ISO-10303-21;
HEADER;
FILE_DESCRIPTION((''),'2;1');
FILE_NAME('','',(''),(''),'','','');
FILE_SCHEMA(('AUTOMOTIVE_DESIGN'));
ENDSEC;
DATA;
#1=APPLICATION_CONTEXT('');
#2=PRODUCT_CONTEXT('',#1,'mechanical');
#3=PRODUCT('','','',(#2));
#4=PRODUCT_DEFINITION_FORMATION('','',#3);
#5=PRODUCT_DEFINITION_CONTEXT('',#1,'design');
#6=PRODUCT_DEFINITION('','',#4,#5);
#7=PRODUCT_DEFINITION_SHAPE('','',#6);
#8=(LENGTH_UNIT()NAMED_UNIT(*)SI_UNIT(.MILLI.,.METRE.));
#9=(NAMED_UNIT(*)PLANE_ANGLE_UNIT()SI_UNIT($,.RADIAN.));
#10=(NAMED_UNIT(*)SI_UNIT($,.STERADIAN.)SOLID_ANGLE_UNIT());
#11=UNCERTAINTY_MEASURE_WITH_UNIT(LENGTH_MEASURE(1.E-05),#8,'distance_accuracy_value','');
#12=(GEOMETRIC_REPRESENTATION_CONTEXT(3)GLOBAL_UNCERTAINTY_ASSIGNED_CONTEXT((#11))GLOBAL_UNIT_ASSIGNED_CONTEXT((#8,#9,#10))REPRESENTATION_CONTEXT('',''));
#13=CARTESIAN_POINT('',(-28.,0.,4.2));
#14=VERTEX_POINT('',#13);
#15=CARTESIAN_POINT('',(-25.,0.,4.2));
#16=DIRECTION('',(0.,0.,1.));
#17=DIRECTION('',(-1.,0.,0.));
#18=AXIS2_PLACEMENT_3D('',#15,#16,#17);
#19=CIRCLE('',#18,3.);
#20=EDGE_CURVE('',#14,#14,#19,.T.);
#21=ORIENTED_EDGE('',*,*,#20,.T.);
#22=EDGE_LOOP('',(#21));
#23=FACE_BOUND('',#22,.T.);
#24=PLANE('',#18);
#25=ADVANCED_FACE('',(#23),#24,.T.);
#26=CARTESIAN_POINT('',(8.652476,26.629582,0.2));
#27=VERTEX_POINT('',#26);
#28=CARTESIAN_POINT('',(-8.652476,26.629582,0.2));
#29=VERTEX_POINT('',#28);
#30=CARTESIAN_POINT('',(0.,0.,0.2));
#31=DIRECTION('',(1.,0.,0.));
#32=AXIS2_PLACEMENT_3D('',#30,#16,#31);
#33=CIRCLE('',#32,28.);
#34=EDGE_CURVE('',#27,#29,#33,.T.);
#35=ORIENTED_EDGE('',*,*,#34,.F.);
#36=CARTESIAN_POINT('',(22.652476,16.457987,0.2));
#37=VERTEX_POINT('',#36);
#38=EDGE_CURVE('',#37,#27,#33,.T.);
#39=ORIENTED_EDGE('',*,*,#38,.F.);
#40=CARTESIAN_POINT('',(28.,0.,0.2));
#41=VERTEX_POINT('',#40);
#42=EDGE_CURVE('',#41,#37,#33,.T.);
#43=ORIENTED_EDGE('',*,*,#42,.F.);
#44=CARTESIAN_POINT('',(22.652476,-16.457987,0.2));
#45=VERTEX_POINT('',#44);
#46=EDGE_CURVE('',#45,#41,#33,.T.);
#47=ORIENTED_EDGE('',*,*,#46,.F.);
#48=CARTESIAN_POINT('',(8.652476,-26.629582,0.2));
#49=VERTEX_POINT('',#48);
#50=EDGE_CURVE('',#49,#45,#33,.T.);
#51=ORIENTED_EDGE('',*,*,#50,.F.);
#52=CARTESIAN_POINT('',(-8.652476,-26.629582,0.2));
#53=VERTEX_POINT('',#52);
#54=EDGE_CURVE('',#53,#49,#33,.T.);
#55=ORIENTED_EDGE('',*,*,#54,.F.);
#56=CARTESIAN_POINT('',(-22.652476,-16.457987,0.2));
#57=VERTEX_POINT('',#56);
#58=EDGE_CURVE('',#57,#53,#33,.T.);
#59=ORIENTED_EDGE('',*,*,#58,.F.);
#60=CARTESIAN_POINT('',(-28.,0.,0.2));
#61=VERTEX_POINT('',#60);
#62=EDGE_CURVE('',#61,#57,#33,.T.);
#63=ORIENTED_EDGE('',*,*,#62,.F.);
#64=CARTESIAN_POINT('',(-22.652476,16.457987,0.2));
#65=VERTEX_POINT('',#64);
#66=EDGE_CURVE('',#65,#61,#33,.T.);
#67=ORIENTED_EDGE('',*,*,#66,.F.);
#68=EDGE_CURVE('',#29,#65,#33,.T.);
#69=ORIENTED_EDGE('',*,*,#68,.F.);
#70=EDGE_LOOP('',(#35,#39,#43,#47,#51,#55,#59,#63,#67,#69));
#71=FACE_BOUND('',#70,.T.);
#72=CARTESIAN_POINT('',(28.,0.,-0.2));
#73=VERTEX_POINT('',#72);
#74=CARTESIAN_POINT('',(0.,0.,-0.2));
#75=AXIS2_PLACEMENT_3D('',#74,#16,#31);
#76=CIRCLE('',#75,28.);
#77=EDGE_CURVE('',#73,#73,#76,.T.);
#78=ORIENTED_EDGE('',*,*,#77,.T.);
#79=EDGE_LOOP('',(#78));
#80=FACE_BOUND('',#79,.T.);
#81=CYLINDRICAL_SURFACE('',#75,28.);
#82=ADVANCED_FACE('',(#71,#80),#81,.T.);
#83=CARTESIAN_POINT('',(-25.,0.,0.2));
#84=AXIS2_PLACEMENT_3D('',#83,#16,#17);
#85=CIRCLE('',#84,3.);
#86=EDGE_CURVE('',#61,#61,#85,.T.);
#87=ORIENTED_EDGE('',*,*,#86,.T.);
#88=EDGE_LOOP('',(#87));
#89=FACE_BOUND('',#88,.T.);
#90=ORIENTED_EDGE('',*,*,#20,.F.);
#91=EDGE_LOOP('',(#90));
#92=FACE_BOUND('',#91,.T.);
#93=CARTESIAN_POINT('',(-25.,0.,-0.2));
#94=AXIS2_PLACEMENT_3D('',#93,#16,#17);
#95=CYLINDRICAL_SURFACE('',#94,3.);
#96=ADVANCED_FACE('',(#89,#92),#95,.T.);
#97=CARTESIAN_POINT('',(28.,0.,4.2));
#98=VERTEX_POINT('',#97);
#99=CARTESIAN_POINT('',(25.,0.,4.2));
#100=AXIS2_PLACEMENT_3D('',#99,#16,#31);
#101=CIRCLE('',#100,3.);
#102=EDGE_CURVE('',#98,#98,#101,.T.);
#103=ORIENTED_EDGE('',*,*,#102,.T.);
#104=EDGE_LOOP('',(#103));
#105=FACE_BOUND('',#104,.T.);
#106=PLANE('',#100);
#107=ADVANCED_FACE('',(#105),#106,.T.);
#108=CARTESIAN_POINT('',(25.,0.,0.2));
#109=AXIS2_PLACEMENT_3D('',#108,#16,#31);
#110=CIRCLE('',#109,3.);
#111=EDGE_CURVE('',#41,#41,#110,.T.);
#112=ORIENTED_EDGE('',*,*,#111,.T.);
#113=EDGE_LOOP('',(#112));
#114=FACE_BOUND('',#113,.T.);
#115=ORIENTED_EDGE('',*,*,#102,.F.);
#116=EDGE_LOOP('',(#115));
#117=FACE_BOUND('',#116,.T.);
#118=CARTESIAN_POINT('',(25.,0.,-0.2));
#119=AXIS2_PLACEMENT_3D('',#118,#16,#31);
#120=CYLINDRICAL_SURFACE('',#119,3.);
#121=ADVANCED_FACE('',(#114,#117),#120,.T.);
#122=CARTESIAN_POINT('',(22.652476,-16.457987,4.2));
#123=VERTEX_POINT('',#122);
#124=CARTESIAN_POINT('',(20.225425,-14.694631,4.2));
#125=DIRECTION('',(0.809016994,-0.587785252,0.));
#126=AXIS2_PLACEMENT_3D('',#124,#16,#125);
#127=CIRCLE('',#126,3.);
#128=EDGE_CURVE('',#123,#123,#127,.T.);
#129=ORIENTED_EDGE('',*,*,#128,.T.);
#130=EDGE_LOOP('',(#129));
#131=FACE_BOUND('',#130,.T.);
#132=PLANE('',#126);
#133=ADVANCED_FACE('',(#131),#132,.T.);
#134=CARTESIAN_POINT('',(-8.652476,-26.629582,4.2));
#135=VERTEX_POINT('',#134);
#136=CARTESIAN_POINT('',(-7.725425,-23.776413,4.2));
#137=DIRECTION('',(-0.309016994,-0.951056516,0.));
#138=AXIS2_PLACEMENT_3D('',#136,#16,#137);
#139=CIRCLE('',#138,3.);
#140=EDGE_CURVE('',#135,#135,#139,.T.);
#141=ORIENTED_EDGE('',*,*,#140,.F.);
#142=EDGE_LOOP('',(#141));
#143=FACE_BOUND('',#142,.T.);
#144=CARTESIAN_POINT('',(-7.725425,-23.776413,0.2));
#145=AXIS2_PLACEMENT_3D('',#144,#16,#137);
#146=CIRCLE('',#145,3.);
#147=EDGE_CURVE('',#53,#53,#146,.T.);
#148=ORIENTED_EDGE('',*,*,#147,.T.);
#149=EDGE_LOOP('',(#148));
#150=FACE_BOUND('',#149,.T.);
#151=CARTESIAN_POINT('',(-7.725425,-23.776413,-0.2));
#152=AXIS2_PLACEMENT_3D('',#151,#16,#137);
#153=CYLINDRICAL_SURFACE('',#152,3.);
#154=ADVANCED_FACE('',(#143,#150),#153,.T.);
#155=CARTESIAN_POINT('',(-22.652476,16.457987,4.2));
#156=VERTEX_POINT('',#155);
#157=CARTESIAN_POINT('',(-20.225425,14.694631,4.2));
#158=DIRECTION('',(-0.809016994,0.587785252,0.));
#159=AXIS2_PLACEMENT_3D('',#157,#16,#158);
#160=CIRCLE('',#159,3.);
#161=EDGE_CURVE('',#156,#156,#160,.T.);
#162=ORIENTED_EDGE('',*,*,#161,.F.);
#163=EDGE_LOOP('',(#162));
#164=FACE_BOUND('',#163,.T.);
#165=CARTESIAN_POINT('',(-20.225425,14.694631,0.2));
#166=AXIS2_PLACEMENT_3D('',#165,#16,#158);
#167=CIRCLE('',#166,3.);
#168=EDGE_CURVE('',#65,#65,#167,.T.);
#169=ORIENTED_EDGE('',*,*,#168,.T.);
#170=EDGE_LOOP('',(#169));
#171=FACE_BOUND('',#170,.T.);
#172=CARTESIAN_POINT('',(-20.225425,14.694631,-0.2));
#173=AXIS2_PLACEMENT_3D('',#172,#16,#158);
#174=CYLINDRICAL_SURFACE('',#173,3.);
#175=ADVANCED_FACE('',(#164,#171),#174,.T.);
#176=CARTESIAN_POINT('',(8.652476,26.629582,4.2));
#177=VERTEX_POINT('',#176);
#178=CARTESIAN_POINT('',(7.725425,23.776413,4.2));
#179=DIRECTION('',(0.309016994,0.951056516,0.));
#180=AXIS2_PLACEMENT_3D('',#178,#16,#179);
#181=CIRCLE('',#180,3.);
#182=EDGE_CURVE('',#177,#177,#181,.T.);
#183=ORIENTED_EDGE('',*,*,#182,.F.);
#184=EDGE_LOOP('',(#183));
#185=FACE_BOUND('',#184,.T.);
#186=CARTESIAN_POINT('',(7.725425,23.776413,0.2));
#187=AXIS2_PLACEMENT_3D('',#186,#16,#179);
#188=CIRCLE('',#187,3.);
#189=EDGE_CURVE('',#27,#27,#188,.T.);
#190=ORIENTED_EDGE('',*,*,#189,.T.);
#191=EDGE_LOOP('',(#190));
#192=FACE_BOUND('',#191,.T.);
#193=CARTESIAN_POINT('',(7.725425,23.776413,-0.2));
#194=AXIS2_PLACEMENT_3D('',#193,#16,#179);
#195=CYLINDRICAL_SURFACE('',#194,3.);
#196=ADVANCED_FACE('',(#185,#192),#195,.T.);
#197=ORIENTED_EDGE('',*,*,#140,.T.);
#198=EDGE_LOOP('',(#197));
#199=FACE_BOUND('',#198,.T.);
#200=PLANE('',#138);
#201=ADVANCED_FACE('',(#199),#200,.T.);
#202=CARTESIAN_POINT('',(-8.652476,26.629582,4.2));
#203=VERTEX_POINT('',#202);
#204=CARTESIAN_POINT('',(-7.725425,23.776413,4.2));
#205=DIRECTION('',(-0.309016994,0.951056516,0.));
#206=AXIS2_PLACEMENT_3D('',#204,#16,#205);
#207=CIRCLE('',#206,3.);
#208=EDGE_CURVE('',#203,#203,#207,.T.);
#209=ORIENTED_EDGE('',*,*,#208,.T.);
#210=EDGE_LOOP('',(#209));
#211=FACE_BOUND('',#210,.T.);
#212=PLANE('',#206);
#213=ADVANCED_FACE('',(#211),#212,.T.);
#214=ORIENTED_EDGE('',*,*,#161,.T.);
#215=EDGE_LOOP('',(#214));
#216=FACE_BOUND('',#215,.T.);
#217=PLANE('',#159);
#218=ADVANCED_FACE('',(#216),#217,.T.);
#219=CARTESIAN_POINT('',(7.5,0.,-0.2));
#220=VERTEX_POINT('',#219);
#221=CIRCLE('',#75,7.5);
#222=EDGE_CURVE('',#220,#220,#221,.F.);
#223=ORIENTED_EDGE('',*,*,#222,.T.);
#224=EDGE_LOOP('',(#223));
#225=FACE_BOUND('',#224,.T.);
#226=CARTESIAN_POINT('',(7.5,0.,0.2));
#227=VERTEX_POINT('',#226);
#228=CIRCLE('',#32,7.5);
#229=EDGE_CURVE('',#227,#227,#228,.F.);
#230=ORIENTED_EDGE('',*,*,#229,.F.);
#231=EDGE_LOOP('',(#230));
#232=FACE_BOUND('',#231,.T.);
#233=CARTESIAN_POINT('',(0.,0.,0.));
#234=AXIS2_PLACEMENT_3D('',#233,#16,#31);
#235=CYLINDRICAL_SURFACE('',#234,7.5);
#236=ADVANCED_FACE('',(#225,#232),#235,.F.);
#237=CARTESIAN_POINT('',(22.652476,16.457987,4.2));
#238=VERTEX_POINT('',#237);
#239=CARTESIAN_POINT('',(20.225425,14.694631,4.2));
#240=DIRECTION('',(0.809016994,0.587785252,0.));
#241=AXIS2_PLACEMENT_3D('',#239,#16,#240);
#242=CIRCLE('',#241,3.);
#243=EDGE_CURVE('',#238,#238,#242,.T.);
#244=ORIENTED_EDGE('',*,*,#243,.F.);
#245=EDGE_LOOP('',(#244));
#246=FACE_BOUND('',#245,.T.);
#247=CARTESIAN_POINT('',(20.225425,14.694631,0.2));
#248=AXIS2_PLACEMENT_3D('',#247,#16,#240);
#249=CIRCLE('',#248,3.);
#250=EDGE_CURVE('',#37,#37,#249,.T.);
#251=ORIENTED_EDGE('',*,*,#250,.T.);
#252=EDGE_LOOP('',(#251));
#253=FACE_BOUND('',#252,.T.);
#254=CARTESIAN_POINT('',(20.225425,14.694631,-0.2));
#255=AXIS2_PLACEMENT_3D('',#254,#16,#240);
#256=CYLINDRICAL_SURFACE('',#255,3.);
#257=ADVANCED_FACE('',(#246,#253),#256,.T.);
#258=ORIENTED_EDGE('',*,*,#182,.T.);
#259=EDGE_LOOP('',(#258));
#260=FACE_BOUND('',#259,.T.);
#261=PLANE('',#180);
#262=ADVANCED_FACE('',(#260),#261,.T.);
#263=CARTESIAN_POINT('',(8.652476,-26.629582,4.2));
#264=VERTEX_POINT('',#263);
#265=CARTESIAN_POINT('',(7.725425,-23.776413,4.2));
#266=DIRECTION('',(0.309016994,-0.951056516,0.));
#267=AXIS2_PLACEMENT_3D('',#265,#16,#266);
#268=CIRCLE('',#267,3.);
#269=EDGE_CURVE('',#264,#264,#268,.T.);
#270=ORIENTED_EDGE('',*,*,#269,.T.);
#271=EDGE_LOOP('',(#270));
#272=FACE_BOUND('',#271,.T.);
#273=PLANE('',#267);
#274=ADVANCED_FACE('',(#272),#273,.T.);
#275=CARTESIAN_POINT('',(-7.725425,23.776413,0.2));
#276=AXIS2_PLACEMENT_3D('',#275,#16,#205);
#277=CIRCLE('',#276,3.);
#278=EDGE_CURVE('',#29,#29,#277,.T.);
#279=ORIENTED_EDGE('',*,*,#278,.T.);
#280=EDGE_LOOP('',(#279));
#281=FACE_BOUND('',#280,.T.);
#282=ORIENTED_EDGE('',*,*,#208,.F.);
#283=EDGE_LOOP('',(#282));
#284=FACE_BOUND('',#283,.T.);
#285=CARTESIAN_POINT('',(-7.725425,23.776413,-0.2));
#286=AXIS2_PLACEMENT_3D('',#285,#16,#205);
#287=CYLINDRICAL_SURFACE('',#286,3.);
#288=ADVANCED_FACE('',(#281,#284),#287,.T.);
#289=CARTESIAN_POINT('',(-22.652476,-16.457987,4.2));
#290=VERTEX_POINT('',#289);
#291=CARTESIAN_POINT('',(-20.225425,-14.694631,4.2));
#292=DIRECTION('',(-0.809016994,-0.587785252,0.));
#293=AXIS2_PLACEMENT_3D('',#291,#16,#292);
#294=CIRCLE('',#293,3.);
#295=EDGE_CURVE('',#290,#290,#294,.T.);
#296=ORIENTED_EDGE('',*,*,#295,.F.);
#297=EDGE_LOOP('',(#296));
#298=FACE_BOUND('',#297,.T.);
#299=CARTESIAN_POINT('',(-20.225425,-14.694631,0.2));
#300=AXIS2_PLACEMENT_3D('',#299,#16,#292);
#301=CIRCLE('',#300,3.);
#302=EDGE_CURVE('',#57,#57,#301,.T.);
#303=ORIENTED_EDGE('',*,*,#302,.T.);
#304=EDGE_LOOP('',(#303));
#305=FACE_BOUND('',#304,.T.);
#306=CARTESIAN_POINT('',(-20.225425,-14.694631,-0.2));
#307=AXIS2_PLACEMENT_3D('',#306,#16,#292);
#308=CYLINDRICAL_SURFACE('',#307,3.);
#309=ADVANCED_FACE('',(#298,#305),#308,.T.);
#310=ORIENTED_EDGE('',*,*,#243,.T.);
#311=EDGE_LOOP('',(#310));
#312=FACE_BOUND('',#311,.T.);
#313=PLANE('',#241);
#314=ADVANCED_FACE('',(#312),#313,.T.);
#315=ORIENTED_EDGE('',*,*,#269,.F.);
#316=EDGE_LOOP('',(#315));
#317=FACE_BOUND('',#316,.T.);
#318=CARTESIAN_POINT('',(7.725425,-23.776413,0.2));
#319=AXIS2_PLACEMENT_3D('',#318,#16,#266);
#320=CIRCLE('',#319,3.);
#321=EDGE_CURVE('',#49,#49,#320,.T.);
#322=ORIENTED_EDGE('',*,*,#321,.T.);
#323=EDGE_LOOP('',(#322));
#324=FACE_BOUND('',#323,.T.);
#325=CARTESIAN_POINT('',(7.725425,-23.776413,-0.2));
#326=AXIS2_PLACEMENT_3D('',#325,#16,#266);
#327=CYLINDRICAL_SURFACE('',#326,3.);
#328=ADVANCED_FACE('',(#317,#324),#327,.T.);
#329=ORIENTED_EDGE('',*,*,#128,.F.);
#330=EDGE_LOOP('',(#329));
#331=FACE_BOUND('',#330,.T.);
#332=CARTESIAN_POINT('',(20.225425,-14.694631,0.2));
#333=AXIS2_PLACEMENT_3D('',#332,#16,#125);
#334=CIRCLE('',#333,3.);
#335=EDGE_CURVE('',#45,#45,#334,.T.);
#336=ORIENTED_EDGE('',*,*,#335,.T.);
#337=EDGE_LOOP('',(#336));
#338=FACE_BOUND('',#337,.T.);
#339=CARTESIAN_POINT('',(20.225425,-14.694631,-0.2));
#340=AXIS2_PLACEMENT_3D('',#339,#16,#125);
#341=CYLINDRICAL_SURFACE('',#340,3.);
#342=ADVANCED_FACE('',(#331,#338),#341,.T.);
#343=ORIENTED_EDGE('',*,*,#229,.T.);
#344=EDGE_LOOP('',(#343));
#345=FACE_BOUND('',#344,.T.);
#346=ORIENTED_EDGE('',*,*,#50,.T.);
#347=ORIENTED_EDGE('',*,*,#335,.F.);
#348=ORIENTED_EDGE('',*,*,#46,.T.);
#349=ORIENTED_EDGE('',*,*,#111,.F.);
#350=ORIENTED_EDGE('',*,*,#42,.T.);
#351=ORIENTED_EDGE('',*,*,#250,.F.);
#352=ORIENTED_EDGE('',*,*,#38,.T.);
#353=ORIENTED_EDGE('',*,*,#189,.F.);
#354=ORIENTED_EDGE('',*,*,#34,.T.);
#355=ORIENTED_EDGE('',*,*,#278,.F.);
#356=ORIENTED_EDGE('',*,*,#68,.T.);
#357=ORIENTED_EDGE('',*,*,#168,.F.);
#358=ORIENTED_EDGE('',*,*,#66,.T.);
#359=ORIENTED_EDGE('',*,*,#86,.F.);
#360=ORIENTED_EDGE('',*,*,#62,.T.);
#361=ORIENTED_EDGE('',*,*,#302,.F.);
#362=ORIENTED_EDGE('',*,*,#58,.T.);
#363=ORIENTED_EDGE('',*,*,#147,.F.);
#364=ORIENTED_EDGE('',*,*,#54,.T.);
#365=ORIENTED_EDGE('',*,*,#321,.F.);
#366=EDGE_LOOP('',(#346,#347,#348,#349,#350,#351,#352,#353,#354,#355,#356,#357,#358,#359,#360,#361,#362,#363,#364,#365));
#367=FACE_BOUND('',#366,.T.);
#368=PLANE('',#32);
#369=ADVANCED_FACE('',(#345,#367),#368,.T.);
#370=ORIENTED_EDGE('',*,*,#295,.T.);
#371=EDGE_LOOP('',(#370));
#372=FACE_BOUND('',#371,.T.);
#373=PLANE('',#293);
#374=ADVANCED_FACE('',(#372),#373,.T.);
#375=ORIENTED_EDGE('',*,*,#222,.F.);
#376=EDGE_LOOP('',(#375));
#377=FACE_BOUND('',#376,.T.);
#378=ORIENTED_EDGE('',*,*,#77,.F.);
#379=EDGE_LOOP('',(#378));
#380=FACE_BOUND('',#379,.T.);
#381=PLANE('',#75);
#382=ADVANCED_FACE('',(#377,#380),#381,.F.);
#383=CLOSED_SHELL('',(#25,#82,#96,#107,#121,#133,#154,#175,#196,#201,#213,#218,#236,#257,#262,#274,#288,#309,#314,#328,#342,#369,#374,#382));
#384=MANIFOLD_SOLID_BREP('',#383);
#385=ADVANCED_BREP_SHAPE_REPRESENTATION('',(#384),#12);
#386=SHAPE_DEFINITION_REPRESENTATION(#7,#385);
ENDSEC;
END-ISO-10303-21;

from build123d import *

# Parameters (mm, degrees)
PINSBASEEXTRUDE_DEPTH      = 0.2
PINSBASEEXTRUDE_DEPTH_BACK = 0.2
PINSBASESKETCH_R           = 28
PINSEXTRUDE_START          = -0.2
PINSSKETCH_R               = 3
PINSEXTRUDE_DEPTH          = 4.4
PINSPATTERN_COUNT          = 10
BOREREVOLVESKETCH_W        = 4
BOREREVOLVESKETCH_H        = 7.5


with BuildPart() as part:
    # PinsBaseSketch → PinsBaseExtrude (new, two sides: drawn at the far end of the back side and taken through both)
    with BuildSketch(Plane.XY.offset(-PINSBASEEXTRUDE_DEPTH_BACK)):
        Circle(PINSBASESKETCH_R)
    extrude(amount=PINSBASEEXTRUDE_DEPTH + PINSBASEEXTRUDE_DEPTH_BACK)

    # PinsSketch → PinsExtrude (add)
    with BuildSketch(Plane.XY.offset(PINSEXTRUDE_START)):
        with Locations((25, 0)):
            Circle(PINSSKETCH_R)
    pinsextrude = extrude(amount=PINSEXTRUDE_DEPTH)

    # PinsPattern: PinsExtrude ×10 about axis
    pinspattern_axis = Axis((0, 0, 55), (0, 0, -1))
    for i in range(1, PINSPATTERN_COUNT):
        add(pinsextrude.rotate(pinspattern_axis, i * 360 / PINSPATTERN_COUNT))

    # BoreRevolveSketch → BoreRevolveCut (revolve, cut)
    with BuildSketch(Plane(origin=(0, 0, 0), x_dir=(0, 0, -1), z_dir=(1, 0, 0))):
        with Locations((0, 3.75)):
            Rectangle(BOREREVOLVESKETCH_W, BOREREVOLVESKETCH_H)
    revolve(axis=Axis((0, 0, 0), (0, 0, -1)), mode=Mode.SUBTRACT)


solid = part.part
